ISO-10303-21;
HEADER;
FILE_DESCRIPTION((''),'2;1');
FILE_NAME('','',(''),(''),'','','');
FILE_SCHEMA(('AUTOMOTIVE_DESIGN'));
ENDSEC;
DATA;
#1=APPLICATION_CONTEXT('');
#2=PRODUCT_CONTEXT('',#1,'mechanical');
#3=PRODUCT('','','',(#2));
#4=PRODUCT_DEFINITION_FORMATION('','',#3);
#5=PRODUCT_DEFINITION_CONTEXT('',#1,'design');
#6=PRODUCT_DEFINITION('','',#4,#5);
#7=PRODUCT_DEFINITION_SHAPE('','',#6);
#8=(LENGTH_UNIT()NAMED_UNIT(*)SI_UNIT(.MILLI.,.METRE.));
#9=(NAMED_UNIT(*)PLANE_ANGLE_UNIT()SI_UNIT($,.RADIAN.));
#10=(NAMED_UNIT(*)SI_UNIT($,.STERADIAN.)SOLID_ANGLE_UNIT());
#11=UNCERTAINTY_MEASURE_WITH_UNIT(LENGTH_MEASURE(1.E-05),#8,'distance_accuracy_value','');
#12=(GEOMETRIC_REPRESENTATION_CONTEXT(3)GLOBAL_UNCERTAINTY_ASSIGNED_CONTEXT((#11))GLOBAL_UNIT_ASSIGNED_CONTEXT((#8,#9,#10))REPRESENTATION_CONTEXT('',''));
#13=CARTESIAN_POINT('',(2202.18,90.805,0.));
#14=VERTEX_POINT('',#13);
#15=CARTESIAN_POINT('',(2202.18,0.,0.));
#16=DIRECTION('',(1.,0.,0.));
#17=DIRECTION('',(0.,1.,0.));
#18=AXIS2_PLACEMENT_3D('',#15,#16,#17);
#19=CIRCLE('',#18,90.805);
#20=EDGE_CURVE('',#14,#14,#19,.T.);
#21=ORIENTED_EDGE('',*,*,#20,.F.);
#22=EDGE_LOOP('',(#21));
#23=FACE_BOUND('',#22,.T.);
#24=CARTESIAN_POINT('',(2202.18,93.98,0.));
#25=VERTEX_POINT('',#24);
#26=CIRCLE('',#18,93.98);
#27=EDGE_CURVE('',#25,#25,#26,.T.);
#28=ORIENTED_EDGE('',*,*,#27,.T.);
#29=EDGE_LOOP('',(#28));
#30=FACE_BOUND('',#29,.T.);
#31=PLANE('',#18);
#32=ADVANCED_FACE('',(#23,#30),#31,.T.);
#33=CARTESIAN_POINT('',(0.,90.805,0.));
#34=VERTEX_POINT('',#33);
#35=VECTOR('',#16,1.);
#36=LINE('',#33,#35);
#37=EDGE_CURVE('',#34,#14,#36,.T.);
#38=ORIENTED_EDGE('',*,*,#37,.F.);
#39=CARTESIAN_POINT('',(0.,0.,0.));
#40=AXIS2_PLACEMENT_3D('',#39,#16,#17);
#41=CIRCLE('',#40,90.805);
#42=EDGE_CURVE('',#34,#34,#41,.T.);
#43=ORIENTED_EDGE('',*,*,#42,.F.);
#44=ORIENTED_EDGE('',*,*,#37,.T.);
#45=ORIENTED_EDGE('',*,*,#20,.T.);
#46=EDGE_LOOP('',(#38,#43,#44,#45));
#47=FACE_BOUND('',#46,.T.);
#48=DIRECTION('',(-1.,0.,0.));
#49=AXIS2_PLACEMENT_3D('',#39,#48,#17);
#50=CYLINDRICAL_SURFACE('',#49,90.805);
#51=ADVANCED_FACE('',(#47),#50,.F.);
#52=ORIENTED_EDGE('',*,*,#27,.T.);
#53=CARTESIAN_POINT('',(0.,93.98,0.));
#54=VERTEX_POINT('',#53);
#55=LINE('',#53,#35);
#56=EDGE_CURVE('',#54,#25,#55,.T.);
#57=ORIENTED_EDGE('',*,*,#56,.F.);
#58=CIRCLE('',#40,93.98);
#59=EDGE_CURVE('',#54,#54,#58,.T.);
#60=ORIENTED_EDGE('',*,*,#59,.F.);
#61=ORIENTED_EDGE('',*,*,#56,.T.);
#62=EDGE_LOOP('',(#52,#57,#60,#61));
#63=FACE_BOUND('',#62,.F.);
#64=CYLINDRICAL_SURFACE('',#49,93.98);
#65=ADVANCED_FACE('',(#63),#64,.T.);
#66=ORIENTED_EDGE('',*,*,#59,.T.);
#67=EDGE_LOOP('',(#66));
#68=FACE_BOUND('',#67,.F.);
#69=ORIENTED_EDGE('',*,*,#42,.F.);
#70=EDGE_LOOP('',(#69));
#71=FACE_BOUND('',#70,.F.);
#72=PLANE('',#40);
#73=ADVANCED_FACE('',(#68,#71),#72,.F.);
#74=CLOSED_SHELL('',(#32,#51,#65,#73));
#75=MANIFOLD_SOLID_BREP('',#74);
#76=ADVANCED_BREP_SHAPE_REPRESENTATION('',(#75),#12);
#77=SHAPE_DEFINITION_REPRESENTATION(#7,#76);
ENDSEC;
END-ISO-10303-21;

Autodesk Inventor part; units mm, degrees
ref_plane "YZ Plane" through (0, 0, 0) normal (1, 0, 0) x (0, 1, 0)
ref_plane "XZ Plane" through (0, 0, 0) normal (0, 1, 0) x (-1, 0, 0)
ref_plane "XY Plane" through (0, 0, 0) normal (0, 0, 1) x (1, 0, 0)
sketch "Sketch1" plane through (0, 0, 0) normal (1, 0, 0) x (0, 1, 0)
  circle A0 centre (0, 0) radius 93.98
  circle A1 centre (0, 0) radius 90.805
  dimension "d0" = 187.96
  dimension "d1" = 181.61
extrude "Extrusion1" add sketch "Sketch1" along normal blind 2202.18
properties part number "phenolic_liner" material "Phenolic Resin"
